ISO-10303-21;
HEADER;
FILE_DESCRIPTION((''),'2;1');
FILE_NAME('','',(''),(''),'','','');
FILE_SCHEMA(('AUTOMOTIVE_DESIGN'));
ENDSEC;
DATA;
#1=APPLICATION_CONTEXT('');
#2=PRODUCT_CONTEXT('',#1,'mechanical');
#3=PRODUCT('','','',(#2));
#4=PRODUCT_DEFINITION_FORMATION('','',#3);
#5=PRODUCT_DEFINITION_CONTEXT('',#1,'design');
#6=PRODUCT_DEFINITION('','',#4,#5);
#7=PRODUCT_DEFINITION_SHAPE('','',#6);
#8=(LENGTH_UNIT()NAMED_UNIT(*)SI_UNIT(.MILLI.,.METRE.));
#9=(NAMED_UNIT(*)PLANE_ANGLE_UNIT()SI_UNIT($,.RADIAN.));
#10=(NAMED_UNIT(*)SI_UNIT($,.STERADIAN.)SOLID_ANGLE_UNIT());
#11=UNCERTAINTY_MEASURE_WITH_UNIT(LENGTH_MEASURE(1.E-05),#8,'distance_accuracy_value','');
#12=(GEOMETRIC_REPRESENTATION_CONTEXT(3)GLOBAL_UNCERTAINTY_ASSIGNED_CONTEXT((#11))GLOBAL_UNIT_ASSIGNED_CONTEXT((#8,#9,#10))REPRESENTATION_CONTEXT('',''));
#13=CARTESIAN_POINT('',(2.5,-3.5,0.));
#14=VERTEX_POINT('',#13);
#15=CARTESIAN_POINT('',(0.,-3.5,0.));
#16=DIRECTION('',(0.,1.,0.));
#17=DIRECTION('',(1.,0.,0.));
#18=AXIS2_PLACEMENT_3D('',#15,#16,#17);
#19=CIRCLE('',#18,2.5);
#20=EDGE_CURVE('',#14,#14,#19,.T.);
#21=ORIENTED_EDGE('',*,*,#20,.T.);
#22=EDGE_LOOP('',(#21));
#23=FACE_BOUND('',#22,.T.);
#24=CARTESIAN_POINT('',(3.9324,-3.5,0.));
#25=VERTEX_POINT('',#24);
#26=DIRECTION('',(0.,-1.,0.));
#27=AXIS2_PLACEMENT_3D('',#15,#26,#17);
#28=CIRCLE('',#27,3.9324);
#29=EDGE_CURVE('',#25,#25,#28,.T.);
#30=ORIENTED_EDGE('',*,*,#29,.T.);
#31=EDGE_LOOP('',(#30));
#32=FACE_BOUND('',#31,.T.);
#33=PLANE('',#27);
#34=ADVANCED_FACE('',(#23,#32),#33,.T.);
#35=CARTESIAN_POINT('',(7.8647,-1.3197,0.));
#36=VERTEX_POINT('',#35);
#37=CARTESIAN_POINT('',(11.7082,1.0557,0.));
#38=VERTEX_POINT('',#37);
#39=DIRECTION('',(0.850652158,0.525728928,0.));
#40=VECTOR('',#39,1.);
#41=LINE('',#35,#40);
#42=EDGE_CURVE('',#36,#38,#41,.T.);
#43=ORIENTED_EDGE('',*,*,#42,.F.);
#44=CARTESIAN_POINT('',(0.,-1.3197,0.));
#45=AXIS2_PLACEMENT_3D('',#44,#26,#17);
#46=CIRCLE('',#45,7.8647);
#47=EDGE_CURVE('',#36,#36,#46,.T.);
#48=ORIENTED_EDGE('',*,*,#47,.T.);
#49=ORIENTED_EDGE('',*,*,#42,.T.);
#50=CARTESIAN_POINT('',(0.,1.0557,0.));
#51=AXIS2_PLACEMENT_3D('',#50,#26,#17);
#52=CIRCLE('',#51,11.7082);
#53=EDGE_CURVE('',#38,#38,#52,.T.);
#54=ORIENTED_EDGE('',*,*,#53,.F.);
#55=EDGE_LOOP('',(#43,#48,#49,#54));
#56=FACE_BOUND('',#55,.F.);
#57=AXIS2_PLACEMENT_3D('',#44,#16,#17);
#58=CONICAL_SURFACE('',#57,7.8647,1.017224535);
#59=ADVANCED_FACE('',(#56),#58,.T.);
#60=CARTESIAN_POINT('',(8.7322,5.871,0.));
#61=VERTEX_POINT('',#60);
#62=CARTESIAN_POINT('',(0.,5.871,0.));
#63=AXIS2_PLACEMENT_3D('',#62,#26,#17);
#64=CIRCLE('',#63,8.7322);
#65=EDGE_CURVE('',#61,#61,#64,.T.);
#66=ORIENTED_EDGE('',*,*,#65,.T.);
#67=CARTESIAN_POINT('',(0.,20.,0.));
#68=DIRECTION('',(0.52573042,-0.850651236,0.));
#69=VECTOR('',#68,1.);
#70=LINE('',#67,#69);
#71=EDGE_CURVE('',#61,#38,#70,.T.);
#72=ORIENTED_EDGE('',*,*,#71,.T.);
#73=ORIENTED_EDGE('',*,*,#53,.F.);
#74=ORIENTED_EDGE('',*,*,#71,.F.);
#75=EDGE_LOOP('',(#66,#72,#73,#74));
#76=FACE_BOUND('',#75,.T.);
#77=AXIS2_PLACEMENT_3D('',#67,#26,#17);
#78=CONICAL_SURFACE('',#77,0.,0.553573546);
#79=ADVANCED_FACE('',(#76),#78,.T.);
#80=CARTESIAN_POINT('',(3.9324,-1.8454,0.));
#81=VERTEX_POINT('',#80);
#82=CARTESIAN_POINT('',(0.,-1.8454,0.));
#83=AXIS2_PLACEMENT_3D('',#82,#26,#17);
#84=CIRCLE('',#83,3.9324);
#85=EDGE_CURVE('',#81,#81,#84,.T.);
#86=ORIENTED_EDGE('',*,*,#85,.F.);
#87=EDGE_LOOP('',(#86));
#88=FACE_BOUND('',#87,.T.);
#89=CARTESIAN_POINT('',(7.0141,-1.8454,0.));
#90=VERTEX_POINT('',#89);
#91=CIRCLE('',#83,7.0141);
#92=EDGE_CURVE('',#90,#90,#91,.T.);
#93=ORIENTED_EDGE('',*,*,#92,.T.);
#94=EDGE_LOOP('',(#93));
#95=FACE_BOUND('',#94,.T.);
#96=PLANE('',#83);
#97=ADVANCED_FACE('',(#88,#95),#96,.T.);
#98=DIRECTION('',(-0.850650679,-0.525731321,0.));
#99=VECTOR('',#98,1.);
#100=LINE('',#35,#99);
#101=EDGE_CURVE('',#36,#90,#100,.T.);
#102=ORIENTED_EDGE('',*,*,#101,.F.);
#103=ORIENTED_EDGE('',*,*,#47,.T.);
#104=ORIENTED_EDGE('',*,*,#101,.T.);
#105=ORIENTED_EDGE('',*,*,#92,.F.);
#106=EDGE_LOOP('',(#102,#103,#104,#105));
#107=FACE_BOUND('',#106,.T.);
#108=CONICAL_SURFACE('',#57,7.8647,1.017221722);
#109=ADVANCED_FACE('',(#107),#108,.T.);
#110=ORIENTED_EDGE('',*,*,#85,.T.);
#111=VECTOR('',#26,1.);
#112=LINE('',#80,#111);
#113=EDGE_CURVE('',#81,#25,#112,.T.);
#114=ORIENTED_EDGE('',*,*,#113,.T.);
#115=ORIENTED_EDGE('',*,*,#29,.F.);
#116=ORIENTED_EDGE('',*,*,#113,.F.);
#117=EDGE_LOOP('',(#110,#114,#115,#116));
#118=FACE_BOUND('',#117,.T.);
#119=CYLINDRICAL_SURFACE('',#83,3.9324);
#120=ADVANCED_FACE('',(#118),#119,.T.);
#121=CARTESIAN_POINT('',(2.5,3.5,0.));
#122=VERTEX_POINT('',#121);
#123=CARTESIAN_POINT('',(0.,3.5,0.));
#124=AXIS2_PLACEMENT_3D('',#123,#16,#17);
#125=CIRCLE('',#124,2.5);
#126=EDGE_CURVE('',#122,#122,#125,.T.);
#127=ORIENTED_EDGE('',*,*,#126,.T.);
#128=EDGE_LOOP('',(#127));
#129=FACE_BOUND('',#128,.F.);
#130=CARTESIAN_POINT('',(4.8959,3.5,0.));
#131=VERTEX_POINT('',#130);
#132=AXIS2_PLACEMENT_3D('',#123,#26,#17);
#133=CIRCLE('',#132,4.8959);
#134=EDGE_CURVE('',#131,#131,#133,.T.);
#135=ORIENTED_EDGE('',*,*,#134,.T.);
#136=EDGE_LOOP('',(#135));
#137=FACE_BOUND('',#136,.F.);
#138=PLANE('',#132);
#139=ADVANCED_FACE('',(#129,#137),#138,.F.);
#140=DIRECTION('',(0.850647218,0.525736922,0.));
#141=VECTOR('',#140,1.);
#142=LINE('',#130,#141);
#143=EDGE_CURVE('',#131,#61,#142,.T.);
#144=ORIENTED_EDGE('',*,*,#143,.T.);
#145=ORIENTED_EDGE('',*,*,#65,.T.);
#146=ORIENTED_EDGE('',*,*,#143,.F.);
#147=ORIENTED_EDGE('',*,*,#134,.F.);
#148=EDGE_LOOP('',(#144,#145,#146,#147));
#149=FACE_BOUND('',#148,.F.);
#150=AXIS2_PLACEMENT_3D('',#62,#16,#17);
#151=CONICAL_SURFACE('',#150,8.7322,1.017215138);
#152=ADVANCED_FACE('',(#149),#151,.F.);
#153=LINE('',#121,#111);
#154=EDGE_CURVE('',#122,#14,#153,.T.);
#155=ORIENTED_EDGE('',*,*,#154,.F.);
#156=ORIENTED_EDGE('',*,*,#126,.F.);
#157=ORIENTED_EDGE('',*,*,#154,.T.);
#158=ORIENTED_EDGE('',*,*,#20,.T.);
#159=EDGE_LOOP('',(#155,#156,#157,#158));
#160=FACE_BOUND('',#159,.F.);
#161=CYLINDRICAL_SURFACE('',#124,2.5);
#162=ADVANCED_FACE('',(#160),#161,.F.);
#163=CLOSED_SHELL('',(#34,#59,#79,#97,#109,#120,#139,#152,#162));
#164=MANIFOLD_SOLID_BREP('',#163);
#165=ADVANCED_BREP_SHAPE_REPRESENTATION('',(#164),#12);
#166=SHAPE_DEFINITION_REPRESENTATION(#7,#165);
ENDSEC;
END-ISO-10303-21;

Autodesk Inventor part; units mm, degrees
ref_plane "YZ Plane" through (0, 0, 0) normal (1, 0, 0) x (0, 1, 0)
ref_plane "XZ Plane" through (0, 0, 0) normal (0, 1, 0) x (-1, 0, 0)
ref_plane "XY Plane" through (0, 0, 0) normal (0, 0, 1) x (1, 0, 0)
sketch "스케치1" plane through (0, 0, 0) normal (0, 0, 1) x (1, 0, 0)
  line L0 (-10, 0) -> (10, 0) construction
  line L1 (0, 0) -> (0, 20) construction
  line L2 (0, 20) -> (10, 0) construction
  line L3 (0, 20) -> (11.7082, 1.0557)
  line L4 (0, 20) -> (5.8657, 4.0994) construction
  line L5 (7.8647, -1.3197) -> (11.7082, 1.0557)
  line L6 (7.8647, -1.3197) -> (7.0141, -1.8454)
  line L7 (7.0141, -1.8454) -> (3.9324, -1.8454)
  line L8 (3.9324, -1.8454) -> (3.9324, -3.5)
  line L9 (3.9324, -3.5) -> (0, -3.5)
  line L10 (8.7322, 5.871) -> (4.8959, 3.5)
  line L11 (4.8959, 3.5) -> (0, 3.5)
  line L12 (0, 3.5) -> (0, -3.5)
  line L13 (5.8657, 4.0994) -> (7.8647, -1.3197)
  point P0 (5.8657, 4.0994)
  dimension "d0" = 20
  dimension "d1" = 20
  dimension "d4" = 2
  dimension "d5" = 2.5
  dimension "d6" = 1
  dimension "d8" = 3
  dimension "d11" = 3.5
  dimension "d12" = 7
  dimension "d40" = 4.5557
  dimension "d41" = 23.4164
revolve "회전1" add sketch "스케치1" angle 360 about axis through (0, 3.5, 0) along (0, -1, 0)
sketch "스케치4" plane through (0, 3.5, 0) normal (0, 1, 0) x (1, 0, 0)
  circle A0 centre (0, 0) radius 2.5
  dimension "d35" = 5
extrude "돌출1" cut sketch "스케치4" against normal blind 30.75
ref_plane "작업 평면4" through (7.8647, -1.3197, 0) normal (-0.5257, 0.8507, 0) x (-0.8507, -0.5257, 0)
sketch "스케치9" plane through (7.8647, -1.3197, 0) normal (-0.5257, 0.8507, 0) x (-0.8507, -0.5257, 0)
  ellipse E0 centre (5.4413, 0) end of major axis (5.4413, 11.7082) minor radius 9.9596 construction
  ellipse E1 centre (5.4413, 0) end of major axis (5.4413, 7.2082) minor radius 5.4596 (0.3405, 2.57) -> (0.0422, -1.07) ccw
  line L0 (-4.5183, 0) -> (-0.0183, 0)
  line L1 (-5.127, 1.07) -> (2.577, 1.07) construction
  line L2 (-5.5914, 1.57) -> (2.9534, 1.57) construction
  line L3 (-5.0964, 2.57) -> (1.9809, 2.57) construction
  arc A0 (-4.2754, 2.57) -> (0.0422, 1.07) centre (0.3783, 9.0013) ccw
  arc A1 (0.0422, -1.07) -> (-4.2754, -2.57) centre (0.3783, -9.0013) ccw
  line L4 (-4.2754, 2.57) -> (-6.6392, 2.57)
  line L5 (-6.6392, 2.57) -> (-6.6392, -2.57)
  line L6 (-6.6392, -2.57) -> (-4.2754, -2.57)
  point P0 (5.9964, 0)
  dimension "d55" = 1.57
  dimension "d56" = 4.5
  dimension "d57" = 0.5
  dimension "d58" = 1
properties part number "베벨기어 002"
